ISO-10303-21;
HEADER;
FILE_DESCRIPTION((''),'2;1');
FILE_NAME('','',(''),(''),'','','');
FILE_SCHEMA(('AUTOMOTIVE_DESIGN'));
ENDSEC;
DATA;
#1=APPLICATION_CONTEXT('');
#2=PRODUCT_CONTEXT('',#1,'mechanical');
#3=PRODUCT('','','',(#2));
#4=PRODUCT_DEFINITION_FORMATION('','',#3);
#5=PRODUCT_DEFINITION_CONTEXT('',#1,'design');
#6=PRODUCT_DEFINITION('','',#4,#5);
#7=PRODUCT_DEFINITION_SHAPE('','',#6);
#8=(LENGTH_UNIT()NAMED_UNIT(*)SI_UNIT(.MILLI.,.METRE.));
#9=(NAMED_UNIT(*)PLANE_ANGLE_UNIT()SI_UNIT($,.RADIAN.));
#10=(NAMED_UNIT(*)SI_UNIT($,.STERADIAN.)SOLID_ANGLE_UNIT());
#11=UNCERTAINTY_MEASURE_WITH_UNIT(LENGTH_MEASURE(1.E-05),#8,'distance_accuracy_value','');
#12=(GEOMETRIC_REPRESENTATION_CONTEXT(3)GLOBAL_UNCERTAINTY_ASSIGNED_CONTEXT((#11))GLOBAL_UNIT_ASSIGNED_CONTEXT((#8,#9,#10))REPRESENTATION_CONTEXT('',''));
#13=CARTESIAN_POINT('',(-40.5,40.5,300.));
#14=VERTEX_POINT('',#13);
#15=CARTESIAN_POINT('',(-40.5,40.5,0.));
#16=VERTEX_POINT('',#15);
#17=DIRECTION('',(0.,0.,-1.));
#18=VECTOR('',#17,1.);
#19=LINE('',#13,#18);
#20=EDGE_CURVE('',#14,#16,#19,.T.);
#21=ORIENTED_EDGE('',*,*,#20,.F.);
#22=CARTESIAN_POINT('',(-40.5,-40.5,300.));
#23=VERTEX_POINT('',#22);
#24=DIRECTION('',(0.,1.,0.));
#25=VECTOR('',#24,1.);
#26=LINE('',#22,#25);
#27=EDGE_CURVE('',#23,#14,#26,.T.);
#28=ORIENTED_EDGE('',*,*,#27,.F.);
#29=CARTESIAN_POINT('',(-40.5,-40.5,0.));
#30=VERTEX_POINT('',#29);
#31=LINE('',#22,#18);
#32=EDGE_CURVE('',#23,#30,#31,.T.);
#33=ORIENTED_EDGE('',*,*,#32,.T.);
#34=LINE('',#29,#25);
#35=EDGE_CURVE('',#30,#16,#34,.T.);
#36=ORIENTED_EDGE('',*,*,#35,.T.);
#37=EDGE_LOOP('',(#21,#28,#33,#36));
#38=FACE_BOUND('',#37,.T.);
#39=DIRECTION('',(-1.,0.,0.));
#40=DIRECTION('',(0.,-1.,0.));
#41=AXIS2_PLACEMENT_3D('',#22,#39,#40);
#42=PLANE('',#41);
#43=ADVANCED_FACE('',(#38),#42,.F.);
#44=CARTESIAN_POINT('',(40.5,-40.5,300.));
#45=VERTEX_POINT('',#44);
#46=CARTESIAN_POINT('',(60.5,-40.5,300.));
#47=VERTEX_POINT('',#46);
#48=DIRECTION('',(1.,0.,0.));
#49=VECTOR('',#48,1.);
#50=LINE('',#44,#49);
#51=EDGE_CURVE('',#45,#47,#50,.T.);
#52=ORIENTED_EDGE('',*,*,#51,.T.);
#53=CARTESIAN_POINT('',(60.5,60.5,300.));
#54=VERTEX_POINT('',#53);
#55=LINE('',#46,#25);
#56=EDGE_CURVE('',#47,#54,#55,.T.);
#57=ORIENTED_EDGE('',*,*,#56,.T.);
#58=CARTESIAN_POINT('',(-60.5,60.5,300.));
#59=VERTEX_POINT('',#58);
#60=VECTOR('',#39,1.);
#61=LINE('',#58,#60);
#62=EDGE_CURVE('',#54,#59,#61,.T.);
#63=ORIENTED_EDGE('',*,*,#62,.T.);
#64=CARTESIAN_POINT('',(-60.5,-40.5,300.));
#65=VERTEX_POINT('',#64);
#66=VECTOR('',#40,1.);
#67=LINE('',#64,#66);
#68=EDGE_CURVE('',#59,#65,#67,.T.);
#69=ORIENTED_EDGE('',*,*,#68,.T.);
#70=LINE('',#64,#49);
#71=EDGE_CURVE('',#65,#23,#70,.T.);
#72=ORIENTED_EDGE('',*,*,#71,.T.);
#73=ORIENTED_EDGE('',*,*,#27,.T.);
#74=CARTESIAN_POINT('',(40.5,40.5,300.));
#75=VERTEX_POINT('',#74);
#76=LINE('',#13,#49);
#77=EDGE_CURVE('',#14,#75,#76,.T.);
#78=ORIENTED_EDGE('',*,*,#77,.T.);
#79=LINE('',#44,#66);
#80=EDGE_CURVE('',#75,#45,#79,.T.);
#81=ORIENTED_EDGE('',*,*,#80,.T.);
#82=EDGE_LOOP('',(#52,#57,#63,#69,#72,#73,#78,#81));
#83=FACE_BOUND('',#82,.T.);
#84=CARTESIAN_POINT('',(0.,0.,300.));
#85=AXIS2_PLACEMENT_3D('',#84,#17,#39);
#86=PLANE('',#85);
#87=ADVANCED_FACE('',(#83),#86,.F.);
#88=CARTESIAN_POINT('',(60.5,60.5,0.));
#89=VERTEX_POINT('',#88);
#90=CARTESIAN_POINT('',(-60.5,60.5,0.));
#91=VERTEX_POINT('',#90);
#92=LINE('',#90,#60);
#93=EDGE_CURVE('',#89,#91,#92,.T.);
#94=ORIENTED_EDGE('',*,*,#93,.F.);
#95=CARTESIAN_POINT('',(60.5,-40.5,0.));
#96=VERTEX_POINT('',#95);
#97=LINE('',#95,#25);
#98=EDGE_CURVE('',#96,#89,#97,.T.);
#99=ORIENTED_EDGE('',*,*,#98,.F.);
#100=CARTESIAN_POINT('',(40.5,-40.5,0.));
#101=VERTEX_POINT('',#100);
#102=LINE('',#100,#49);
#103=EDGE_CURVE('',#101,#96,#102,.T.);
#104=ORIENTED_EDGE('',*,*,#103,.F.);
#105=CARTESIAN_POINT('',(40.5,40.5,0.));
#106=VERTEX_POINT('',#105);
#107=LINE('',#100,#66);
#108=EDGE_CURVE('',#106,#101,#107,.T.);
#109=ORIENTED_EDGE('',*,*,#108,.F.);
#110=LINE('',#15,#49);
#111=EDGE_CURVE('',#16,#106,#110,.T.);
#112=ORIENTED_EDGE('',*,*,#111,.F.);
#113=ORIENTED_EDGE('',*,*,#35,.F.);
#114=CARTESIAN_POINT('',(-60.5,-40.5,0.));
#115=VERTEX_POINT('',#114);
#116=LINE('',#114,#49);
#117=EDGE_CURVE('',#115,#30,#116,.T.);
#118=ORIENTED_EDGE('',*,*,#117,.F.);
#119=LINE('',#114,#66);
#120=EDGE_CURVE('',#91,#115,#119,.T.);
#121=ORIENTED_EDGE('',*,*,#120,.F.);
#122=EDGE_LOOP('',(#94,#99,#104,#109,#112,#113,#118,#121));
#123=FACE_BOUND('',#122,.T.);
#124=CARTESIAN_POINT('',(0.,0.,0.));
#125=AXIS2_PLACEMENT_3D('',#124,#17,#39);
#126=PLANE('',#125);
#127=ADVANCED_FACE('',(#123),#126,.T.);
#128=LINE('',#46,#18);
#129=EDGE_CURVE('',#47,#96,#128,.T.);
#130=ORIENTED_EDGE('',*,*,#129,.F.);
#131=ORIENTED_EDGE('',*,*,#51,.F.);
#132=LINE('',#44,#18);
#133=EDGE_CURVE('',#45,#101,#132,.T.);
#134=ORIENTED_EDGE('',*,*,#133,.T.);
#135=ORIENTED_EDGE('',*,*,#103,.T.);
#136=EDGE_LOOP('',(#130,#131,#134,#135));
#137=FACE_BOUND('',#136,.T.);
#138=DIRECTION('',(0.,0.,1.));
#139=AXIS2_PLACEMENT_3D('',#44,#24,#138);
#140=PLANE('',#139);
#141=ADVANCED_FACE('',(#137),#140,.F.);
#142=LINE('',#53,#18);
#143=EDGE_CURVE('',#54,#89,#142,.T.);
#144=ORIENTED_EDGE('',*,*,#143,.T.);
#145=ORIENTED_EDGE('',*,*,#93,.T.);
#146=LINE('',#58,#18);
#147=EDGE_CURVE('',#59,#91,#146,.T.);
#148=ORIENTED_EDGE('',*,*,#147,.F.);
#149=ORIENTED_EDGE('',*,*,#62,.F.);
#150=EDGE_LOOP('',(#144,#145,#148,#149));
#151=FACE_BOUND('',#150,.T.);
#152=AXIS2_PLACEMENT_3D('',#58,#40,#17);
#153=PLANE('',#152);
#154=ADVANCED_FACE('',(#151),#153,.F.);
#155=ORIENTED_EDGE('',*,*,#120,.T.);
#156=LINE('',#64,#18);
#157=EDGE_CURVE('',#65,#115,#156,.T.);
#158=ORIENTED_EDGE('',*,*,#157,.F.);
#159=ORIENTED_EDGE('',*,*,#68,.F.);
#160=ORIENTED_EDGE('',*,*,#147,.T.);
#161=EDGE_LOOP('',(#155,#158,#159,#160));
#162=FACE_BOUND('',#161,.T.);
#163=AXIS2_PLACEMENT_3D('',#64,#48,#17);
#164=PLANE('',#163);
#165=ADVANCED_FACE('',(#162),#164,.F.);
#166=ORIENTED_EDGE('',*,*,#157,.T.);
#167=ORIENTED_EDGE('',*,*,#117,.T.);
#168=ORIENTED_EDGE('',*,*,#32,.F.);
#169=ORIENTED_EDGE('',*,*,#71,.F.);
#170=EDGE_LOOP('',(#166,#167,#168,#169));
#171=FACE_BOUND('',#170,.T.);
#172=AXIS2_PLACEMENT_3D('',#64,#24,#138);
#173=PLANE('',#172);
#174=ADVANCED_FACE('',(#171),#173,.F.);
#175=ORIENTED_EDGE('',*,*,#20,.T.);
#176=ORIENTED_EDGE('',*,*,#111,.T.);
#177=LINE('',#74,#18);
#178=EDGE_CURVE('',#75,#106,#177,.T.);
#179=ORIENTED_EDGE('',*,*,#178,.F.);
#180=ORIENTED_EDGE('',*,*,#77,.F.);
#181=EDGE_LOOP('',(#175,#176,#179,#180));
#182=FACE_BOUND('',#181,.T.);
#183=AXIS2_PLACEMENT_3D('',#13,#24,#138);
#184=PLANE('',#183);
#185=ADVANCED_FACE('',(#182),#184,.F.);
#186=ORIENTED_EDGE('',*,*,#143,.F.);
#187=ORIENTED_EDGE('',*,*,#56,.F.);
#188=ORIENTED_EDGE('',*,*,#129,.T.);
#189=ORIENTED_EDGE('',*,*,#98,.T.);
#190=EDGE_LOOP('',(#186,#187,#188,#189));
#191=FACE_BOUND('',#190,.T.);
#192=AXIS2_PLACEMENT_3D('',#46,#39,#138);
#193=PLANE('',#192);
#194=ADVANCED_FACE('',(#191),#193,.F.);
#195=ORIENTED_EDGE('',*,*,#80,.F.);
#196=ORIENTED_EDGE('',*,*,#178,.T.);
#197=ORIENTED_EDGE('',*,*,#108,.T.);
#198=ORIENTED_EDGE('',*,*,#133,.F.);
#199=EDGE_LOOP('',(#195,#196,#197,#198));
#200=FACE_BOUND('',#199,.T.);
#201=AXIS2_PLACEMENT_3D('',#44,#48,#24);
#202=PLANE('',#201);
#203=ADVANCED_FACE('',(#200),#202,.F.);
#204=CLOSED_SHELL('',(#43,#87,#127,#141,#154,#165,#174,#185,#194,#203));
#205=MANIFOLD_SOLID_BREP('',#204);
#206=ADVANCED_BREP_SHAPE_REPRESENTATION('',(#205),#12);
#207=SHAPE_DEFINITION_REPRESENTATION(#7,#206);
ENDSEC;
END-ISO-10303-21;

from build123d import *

# Parameters (mm, degrees)
SALIENTE_EXTRUIR1_DEPTH = 300


with BuildPart() as part:
    # Croquis1 → Saliente-Extruir1 (new body)
    with BuildSketch(Plane.XY):
        Polygon((-60.5, -40.5), (-60.5, 60.5), (60.5, 60.5), (60.5, -40.5), (40.5, -40.5), (40.5, 40.5), (-40.5, 40.5), (-40.5, -40.5), align=None)
    extrude(amount=SALIENTE_EXTRUIR1_DEPTH)


solid = part.part
